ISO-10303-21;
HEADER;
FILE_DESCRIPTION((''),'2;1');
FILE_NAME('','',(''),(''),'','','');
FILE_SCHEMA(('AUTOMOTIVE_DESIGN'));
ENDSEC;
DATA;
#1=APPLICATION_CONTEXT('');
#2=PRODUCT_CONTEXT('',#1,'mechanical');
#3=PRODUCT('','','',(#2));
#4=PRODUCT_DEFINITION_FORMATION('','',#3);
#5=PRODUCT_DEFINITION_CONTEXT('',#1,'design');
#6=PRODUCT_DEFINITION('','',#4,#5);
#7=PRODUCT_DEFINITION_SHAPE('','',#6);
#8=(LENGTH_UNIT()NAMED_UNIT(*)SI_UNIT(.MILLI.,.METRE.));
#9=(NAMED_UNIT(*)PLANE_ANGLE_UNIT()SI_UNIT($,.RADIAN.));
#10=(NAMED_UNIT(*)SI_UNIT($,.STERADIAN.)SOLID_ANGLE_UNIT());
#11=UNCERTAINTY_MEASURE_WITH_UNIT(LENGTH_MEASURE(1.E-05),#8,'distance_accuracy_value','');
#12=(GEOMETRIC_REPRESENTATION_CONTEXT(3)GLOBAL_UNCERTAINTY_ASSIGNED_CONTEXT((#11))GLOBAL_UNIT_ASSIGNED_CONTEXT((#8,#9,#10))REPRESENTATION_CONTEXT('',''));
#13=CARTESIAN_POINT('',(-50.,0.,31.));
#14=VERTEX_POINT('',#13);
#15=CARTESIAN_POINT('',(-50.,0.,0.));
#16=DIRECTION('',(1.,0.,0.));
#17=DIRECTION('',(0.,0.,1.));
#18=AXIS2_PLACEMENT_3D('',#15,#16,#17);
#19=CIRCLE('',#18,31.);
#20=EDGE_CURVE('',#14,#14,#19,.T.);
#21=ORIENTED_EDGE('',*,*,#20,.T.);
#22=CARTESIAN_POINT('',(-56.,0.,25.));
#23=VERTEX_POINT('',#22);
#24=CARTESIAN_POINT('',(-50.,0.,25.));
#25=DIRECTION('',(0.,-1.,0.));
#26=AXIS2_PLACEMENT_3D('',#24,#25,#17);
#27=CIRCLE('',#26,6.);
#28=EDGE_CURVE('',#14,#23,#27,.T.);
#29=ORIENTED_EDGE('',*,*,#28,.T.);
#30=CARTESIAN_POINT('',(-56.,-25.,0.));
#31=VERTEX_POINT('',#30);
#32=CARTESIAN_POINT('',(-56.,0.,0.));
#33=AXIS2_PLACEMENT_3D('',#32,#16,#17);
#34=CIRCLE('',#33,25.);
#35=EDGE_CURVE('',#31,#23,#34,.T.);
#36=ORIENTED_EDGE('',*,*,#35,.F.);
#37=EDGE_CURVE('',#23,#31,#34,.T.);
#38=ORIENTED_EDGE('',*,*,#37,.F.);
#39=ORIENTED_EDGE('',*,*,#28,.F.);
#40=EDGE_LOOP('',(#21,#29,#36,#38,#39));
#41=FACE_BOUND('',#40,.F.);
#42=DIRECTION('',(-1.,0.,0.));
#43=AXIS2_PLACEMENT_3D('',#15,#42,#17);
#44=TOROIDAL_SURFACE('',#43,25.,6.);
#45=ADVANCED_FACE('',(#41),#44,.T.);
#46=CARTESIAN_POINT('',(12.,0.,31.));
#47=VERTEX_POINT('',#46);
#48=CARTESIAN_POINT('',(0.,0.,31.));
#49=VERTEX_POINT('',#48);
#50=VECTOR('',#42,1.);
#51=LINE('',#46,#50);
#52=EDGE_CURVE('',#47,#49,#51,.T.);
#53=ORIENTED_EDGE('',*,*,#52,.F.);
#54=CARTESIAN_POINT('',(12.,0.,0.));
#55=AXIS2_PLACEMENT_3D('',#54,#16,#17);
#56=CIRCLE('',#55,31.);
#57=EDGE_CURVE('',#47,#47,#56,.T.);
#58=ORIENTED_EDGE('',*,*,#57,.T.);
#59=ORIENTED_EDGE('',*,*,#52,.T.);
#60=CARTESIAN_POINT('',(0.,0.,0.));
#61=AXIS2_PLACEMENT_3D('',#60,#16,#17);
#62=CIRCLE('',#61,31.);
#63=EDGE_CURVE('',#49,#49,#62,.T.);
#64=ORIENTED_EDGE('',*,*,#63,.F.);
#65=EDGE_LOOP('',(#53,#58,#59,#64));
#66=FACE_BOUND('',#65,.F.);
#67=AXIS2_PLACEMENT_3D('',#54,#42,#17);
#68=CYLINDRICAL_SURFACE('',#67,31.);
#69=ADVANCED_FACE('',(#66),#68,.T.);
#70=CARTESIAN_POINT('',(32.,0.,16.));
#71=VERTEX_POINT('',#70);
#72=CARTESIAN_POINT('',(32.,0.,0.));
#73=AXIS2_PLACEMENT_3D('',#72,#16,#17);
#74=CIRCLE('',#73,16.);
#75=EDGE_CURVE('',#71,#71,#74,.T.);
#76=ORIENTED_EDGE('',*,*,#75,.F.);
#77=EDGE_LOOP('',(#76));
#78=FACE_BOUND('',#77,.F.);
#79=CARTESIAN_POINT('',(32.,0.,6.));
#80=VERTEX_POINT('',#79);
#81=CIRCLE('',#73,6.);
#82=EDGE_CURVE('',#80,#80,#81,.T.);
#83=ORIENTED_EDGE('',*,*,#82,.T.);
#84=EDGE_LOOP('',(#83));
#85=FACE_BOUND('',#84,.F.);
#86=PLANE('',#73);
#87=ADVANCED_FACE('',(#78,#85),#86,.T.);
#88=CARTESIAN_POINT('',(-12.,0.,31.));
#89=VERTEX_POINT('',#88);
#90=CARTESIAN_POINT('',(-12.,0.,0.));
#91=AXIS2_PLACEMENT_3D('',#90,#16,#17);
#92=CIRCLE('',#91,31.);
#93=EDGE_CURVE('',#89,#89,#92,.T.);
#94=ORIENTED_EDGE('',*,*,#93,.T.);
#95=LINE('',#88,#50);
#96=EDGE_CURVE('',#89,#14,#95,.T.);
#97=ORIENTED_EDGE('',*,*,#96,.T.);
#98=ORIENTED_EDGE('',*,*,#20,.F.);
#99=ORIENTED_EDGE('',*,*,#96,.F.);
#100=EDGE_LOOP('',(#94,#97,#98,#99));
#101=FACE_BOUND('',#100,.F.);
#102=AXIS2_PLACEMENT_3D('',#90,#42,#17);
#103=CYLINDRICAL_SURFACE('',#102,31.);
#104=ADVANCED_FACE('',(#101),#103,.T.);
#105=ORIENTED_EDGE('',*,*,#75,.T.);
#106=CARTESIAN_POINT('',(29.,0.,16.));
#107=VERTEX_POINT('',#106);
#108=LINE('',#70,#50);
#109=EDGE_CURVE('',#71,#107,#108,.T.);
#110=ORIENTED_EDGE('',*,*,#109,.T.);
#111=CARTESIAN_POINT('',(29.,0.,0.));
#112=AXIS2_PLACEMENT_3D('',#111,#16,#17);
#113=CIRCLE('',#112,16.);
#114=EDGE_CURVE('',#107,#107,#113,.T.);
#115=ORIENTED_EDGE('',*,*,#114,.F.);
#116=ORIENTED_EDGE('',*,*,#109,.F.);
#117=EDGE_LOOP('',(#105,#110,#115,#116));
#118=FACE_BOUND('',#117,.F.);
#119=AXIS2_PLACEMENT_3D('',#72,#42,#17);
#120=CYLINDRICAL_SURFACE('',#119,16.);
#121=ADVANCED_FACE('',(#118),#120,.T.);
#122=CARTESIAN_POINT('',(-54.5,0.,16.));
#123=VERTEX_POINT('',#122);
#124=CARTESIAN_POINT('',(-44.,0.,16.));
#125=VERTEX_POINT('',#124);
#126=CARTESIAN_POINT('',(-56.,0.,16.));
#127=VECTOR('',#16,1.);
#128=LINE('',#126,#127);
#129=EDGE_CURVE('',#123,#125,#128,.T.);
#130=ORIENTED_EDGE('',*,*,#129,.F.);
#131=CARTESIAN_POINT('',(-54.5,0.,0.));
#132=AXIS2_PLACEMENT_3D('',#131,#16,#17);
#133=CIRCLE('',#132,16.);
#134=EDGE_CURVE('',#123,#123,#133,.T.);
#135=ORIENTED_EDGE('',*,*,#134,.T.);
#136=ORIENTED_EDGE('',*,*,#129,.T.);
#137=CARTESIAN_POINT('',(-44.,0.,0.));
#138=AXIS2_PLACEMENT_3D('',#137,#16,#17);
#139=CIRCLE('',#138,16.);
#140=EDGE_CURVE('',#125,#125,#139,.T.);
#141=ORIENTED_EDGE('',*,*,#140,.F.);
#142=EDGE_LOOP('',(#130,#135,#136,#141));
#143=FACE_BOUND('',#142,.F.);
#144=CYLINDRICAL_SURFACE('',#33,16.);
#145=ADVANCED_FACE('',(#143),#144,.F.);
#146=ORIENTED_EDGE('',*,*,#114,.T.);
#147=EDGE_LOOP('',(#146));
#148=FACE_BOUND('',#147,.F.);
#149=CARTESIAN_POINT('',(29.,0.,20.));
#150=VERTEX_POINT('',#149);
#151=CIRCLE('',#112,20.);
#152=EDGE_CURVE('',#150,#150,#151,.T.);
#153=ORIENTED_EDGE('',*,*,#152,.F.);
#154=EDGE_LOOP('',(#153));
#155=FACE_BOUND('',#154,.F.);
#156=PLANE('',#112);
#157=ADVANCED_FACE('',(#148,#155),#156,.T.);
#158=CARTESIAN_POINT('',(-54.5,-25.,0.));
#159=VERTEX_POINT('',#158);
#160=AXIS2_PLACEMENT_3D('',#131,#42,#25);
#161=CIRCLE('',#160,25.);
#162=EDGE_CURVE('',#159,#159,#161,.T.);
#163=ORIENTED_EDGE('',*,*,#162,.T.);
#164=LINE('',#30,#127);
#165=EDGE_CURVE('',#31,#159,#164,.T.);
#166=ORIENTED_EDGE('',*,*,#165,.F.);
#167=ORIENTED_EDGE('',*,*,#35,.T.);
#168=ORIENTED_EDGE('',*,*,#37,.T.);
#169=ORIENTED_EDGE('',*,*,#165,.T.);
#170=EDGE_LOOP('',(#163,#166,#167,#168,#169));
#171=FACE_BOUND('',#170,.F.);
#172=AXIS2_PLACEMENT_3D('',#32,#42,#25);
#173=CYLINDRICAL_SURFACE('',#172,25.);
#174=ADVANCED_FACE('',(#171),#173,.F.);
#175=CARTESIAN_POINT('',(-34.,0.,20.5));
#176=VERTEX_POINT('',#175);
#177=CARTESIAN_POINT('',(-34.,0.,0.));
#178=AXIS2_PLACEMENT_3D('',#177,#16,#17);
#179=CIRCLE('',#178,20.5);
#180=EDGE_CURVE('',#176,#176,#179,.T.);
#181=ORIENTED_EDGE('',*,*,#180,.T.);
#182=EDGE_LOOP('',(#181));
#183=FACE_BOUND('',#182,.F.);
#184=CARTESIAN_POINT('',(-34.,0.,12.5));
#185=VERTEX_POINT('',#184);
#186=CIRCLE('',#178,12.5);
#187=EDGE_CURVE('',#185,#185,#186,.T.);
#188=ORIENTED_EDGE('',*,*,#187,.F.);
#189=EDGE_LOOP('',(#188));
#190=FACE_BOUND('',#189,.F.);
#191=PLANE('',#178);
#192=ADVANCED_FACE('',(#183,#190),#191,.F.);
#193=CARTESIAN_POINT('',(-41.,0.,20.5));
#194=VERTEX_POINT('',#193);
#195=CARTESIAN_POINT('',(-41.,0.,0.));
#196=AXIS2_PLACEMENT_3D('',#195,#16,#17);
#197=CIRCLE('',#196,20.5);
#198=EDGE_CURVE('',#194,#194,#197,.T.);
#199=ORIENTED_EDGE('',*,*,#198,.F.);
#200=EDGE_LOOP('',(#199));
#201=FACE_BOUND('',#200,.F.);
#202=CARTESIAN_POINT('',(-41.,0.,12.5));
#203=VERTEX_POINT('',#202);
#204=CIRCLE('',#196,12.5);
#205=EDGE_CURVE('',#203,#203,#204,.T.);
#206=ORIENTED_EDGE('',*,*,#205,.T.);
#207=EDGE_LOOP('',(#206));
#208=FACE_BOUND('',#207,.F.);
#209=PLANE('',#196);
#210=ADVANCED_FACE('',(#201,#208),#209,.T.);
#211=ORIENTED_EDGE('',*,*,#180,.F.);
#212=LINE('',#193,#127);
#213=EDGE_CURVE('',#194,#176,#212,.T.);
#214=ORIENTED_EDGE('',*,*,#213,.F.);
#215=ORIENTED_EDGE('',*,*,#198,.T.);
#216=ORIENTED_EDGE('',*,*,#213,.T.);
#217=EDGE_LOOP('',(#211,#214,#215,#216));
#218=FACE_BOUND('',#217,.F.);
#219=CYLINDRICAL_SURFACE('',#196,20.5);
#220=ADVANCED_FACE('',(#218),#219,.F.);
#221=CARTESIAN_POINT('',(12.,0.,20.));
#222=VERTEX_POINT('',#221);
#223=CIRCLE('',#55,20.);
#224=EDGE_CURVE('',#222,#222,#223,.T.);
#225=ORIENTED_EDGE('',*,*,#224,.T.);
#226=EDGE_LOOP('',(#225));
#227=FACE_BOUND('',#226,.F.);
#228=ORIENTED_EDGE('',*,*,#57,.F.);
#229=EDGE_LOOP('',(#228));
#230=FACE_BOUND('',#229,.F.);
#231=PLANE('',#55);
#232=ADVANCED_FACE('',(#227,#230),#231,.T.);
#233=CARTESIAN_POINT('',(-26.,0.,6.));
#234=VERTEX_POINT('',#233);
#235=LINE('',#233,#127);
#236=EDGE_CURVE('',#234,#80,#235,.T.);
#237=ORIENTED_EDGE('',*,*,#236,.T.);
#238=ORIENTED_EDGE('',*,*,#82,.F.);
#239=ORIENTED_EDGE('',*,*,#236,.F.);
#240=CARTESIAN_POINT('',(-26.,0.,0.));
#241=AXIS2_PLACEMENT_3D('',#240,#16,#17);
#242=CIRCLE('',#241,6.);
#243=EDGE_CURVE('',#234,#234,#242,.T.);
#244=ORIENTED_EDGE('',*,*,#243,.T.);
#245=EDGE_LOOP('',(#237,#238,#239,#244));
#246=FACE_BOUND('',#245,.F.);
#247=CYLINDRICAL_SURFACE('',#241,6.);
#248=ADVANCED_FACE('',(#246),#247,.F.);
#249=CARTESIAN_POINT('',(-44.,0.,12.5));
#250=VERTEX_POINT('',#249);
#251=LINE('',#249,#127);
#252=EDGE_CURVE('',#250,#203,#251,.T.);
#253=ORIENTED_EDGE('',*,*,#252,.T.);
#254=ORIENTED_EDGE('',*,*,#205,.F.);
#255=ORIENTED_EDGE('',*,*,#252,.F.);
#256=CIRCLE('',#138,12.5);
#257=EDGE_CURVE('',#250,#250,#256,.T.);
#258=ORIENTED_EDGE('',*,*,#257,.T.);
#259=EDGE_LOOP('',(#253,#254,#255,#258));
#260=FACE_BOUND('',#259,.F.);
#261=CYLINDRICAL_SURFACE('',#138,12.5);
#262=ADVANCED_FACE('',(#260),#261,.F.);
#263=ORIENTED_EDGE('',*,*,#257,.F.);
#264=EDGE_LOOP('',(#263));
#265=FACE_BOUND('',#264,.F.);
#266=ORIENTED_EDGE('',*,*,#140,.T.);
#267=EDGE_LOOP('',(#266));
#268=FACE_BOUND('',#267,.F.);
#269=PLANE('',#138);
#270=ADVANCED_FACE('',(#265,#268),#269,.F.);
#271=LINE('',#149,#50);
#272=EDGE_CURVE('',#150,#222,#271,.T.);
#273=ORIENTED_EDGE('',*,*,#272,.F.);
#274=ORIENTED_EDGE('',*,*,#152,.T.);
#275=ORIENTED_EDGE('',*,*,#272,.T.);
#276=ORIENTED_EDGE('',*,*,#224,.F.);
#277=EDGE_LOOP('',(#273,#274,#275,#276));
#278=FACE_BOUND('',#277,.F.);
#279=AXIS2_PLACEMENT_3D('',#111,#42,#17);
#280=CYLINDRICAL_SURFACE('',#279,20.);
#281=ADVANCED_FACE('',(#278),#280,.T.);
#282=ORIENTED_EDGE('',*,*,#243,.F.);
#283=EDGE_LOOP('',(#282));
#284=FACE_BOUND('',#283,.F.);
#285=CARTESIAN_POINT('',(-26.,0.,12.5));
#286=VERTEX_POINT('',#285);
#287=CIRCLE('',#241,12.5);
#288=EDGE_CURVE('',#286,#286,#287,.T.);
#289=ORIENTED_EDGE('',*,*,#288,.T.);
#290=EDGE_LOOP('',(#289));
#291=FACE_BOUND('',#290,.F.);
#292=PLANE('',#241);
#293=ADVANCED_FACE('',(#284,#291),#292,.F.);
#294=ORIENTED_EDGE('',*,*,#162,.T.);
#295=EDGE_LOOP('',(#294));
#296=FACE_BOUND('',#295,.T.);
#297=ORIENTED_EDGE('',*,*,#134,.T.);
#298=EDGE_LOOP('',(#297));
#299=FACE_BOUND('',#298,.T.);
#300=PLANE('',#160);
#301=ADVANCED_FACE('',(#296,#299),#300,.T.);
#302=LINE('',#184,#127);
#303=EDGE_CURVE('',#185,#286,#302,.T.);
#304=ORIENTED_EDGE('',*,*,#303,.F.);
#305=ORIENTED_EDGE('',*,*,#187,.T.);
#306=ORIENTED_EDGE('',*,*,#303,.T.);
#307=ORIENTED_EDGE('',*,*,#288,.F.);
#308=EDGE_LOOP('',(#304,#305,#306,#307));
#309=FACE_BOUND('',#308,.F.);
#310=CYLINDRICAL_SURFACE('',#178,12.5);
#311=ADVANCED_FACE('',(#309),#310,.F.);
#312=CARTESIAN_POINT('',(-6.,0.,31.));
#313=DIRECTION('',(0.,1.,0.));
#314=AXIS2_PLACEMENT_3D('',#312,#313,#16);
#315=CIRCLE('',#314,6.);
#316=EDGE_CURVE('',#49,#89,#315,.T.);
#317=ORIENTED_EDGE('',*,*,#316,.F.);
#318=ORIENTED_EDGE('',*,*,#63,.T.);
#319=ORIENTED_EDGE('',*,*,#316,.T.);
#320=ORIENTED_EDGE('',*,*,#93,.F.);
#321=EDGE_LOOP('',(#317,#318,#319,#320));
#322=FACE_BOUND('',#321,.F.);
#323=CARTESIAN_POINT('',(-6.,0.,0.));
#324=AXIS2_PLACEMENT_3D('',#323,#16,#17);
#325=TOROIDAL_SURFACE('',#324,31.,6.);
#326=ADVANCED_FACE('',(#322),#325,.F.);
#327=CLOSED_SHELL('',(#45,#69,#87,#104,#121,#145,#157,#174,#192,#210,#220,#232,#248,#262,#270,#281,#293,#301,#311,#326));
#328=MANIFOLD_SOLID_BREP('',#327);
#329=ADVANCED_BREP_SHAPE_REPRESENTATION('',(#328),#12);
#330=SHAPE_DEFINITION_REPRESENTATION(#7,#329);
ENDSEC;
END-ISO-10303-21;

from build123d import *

# Parameters (mm, degrees)
F2_R        = 6
F1_FACE_R   = 25
F1_FACE_R_2 = 16
F3_DEPTH    = 1.5


with BuildPart() as f1:
    # F0 (on Front) → F1 (revolve)
    with BuildSketch(Plane.XZ):
        with BuildLine():
            Line((-26, 6), (32, 6))
            Line((32, 6), (32, 16))
            Line((32, 16), (29, 16))
            Line((29, 16), (29, 20))
            Line((29, 20), (12, 20))
            Line((12, 20), (12, 31))
            Line((12, 31), (0, 31))
            ThreePointArc((0, 31), (-6, 25), (-12, 31))
            Line((-12, 31), (-56, 31))
            Line((-56, 31), (-56, 16))
            Line((-56, 16), (-44, 16))
            Line((-44, 16), (-44, 12.5))
            Line((-44, 12.5), (-41, 12.5))
            Line((-41, 12.5), (-41, 20.5))
            Line((-41, 20.5), (-34, 20.5))
            Line((-34, 20.5), (-34, 12.5))
            Line((-34, 12.5), (-26, 12.5))
            Line((-26, 12.5), (-26, 6))
        make_face()
    revolve(axis=Axis((0, 0, 0), (1, 0, 0)))

    # F2
    f2_edges = [f1.edges().sort_by_distance(p)[0] for p in [
        (-56, 0, -31),
    ]]
    fillet(f2_edges, radius=F2_R)

    # F1_face (on face) → F3 (cut)
    with BuildSketch(Plane(origin=(-56, 0, 0), x_dir=(0, -1, 0), z_dir=(-1, 0, 0))):
        Circle(F1_FACE_R)
        Circle(F1_FACE_R_2, mode=Mode.SUBTRACT)
    extrude(amount=-F3_DEPTH, mode=Mode.SUBTRACT)


solid = f1.part
